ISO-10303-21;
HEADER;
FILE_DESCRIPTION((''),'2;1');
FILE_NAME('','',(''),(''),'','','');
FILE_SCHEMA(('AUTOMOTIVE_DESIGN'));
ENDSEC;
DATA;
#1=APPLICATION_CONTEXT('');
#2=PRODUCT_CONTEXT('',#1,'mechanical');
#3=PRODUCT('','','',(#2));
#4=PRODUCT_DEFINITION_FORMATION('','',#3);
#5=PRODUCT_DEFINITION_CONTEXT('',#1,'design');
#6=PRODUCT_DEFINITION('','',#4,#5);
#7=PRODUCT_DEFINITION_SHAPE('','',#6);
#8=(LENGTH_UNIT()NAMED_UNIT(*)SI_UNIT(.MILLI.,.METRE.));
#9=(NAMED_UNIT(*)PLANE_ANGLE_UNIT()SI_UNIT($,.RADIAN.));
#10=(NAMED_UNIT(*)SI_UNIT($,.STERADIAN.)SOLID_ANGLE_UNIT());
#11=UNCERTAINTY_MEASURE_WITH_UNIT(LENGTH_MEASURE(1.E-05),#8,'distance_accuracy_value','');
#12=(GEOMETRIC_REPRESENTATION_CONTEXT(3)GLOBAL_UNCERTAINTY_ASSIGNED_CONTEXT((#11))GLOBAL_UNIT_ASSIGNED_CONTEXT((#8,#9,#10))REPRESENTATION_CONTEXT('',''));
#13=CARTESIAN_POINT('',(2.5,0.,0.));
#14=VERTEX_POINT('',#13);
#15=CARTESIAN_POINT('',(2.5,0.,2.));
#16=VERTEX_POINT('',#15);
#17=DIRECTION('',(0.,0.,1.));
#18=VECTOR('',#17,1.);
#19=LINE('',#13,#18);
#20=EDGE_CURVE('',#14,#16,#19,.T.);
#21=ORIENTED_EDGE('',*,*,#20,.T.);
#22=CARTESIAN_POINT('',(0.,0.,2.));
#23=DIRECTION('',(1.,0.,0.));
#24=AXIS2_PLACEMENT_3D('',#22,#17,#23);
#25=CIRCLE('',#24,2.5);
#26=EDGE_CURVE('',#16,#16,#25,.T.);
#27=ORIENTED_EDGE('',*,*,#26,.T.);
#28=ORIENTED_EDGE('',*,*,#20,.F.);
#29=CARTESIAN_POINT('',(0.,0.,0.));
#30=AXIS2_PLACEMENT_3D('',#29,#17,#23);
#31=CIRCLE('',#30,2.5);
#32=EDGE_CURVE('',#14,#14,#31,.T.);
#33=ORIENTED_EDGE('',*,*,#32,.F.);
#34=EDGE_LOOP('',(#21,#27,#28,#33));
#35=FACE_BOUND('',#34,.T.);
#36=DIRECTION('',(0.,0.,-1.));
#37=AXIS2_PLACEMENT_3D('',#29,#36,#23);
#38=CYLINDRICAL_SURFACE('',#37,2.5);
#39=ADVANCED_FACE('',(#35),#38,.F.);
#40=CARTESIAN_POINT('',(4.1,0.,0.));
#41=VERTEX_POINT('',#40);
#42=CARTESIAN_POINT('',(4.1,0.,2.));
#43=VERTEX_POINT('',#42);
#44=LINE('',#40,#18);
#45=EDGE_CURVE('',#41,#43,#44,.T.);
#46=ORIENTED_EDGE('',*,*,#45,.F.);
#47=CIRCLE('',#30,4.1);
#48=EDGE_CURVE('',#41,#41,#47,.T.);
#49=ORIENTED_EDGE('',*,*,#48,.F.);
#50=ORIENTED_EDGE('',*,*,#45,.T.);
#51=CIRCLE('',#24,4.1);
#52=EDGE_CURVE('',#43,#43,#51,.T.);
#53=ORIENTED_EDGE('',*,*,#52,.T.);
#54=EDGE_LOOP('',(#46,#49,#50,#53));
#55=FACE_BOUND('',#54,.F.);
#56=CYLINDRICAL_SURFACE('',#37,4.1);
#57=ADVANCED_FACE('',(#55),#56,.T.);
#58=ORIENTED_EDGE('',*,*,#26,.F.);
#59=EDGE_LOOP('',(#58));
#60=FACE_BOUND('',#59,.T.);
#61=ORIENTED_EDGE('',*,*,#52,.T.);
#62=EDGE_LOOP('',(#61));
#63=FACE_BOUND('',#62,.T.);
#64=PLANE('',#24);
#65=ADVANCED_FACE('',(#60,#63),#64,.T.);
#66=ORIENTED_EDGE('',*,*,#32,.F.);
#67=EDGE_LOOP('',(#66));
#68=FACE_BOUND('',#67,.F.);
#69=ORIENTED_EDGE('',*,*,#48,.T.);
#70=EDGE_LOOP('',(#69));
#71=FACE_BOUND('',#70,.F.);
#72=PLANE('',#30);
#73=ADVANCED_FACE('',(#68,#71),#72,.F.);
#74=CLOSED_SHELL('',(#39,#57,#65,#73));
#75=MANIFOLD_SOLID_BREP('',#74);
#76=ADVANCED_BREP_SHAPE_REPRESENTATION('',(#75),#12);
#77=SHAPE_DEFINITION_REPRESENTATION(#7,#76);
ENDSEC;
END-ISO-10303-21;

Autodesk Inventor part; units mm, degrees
ref_plane "YZ Plane" through (0, 0, 0) normal (1, 0, 0) x (0, 1, 0)
ref_plane "XZ Plane" through (0, 0, 0) normal (0, 1, 0) x (-1, 0, 0)
ref_plane "XY Plane" through (0, 0, 0) normal (0, 0, 1) x (1, 0, 0)
sketch "Sketch1" plane through (0, 0, 0) normal (0, 0, 1) x (1, 0, 0)
  circle A0 centre (0, 0) radius 2.5
  circle A1 centre (0, 0) radius 4.1
  dimension "d0" = 8.2
  dimension "d1" = 5
extrude "Extrusion1" add sketch "Sketch1" along normal blind 2
properties part number "17HS4401ShaftPlate"
